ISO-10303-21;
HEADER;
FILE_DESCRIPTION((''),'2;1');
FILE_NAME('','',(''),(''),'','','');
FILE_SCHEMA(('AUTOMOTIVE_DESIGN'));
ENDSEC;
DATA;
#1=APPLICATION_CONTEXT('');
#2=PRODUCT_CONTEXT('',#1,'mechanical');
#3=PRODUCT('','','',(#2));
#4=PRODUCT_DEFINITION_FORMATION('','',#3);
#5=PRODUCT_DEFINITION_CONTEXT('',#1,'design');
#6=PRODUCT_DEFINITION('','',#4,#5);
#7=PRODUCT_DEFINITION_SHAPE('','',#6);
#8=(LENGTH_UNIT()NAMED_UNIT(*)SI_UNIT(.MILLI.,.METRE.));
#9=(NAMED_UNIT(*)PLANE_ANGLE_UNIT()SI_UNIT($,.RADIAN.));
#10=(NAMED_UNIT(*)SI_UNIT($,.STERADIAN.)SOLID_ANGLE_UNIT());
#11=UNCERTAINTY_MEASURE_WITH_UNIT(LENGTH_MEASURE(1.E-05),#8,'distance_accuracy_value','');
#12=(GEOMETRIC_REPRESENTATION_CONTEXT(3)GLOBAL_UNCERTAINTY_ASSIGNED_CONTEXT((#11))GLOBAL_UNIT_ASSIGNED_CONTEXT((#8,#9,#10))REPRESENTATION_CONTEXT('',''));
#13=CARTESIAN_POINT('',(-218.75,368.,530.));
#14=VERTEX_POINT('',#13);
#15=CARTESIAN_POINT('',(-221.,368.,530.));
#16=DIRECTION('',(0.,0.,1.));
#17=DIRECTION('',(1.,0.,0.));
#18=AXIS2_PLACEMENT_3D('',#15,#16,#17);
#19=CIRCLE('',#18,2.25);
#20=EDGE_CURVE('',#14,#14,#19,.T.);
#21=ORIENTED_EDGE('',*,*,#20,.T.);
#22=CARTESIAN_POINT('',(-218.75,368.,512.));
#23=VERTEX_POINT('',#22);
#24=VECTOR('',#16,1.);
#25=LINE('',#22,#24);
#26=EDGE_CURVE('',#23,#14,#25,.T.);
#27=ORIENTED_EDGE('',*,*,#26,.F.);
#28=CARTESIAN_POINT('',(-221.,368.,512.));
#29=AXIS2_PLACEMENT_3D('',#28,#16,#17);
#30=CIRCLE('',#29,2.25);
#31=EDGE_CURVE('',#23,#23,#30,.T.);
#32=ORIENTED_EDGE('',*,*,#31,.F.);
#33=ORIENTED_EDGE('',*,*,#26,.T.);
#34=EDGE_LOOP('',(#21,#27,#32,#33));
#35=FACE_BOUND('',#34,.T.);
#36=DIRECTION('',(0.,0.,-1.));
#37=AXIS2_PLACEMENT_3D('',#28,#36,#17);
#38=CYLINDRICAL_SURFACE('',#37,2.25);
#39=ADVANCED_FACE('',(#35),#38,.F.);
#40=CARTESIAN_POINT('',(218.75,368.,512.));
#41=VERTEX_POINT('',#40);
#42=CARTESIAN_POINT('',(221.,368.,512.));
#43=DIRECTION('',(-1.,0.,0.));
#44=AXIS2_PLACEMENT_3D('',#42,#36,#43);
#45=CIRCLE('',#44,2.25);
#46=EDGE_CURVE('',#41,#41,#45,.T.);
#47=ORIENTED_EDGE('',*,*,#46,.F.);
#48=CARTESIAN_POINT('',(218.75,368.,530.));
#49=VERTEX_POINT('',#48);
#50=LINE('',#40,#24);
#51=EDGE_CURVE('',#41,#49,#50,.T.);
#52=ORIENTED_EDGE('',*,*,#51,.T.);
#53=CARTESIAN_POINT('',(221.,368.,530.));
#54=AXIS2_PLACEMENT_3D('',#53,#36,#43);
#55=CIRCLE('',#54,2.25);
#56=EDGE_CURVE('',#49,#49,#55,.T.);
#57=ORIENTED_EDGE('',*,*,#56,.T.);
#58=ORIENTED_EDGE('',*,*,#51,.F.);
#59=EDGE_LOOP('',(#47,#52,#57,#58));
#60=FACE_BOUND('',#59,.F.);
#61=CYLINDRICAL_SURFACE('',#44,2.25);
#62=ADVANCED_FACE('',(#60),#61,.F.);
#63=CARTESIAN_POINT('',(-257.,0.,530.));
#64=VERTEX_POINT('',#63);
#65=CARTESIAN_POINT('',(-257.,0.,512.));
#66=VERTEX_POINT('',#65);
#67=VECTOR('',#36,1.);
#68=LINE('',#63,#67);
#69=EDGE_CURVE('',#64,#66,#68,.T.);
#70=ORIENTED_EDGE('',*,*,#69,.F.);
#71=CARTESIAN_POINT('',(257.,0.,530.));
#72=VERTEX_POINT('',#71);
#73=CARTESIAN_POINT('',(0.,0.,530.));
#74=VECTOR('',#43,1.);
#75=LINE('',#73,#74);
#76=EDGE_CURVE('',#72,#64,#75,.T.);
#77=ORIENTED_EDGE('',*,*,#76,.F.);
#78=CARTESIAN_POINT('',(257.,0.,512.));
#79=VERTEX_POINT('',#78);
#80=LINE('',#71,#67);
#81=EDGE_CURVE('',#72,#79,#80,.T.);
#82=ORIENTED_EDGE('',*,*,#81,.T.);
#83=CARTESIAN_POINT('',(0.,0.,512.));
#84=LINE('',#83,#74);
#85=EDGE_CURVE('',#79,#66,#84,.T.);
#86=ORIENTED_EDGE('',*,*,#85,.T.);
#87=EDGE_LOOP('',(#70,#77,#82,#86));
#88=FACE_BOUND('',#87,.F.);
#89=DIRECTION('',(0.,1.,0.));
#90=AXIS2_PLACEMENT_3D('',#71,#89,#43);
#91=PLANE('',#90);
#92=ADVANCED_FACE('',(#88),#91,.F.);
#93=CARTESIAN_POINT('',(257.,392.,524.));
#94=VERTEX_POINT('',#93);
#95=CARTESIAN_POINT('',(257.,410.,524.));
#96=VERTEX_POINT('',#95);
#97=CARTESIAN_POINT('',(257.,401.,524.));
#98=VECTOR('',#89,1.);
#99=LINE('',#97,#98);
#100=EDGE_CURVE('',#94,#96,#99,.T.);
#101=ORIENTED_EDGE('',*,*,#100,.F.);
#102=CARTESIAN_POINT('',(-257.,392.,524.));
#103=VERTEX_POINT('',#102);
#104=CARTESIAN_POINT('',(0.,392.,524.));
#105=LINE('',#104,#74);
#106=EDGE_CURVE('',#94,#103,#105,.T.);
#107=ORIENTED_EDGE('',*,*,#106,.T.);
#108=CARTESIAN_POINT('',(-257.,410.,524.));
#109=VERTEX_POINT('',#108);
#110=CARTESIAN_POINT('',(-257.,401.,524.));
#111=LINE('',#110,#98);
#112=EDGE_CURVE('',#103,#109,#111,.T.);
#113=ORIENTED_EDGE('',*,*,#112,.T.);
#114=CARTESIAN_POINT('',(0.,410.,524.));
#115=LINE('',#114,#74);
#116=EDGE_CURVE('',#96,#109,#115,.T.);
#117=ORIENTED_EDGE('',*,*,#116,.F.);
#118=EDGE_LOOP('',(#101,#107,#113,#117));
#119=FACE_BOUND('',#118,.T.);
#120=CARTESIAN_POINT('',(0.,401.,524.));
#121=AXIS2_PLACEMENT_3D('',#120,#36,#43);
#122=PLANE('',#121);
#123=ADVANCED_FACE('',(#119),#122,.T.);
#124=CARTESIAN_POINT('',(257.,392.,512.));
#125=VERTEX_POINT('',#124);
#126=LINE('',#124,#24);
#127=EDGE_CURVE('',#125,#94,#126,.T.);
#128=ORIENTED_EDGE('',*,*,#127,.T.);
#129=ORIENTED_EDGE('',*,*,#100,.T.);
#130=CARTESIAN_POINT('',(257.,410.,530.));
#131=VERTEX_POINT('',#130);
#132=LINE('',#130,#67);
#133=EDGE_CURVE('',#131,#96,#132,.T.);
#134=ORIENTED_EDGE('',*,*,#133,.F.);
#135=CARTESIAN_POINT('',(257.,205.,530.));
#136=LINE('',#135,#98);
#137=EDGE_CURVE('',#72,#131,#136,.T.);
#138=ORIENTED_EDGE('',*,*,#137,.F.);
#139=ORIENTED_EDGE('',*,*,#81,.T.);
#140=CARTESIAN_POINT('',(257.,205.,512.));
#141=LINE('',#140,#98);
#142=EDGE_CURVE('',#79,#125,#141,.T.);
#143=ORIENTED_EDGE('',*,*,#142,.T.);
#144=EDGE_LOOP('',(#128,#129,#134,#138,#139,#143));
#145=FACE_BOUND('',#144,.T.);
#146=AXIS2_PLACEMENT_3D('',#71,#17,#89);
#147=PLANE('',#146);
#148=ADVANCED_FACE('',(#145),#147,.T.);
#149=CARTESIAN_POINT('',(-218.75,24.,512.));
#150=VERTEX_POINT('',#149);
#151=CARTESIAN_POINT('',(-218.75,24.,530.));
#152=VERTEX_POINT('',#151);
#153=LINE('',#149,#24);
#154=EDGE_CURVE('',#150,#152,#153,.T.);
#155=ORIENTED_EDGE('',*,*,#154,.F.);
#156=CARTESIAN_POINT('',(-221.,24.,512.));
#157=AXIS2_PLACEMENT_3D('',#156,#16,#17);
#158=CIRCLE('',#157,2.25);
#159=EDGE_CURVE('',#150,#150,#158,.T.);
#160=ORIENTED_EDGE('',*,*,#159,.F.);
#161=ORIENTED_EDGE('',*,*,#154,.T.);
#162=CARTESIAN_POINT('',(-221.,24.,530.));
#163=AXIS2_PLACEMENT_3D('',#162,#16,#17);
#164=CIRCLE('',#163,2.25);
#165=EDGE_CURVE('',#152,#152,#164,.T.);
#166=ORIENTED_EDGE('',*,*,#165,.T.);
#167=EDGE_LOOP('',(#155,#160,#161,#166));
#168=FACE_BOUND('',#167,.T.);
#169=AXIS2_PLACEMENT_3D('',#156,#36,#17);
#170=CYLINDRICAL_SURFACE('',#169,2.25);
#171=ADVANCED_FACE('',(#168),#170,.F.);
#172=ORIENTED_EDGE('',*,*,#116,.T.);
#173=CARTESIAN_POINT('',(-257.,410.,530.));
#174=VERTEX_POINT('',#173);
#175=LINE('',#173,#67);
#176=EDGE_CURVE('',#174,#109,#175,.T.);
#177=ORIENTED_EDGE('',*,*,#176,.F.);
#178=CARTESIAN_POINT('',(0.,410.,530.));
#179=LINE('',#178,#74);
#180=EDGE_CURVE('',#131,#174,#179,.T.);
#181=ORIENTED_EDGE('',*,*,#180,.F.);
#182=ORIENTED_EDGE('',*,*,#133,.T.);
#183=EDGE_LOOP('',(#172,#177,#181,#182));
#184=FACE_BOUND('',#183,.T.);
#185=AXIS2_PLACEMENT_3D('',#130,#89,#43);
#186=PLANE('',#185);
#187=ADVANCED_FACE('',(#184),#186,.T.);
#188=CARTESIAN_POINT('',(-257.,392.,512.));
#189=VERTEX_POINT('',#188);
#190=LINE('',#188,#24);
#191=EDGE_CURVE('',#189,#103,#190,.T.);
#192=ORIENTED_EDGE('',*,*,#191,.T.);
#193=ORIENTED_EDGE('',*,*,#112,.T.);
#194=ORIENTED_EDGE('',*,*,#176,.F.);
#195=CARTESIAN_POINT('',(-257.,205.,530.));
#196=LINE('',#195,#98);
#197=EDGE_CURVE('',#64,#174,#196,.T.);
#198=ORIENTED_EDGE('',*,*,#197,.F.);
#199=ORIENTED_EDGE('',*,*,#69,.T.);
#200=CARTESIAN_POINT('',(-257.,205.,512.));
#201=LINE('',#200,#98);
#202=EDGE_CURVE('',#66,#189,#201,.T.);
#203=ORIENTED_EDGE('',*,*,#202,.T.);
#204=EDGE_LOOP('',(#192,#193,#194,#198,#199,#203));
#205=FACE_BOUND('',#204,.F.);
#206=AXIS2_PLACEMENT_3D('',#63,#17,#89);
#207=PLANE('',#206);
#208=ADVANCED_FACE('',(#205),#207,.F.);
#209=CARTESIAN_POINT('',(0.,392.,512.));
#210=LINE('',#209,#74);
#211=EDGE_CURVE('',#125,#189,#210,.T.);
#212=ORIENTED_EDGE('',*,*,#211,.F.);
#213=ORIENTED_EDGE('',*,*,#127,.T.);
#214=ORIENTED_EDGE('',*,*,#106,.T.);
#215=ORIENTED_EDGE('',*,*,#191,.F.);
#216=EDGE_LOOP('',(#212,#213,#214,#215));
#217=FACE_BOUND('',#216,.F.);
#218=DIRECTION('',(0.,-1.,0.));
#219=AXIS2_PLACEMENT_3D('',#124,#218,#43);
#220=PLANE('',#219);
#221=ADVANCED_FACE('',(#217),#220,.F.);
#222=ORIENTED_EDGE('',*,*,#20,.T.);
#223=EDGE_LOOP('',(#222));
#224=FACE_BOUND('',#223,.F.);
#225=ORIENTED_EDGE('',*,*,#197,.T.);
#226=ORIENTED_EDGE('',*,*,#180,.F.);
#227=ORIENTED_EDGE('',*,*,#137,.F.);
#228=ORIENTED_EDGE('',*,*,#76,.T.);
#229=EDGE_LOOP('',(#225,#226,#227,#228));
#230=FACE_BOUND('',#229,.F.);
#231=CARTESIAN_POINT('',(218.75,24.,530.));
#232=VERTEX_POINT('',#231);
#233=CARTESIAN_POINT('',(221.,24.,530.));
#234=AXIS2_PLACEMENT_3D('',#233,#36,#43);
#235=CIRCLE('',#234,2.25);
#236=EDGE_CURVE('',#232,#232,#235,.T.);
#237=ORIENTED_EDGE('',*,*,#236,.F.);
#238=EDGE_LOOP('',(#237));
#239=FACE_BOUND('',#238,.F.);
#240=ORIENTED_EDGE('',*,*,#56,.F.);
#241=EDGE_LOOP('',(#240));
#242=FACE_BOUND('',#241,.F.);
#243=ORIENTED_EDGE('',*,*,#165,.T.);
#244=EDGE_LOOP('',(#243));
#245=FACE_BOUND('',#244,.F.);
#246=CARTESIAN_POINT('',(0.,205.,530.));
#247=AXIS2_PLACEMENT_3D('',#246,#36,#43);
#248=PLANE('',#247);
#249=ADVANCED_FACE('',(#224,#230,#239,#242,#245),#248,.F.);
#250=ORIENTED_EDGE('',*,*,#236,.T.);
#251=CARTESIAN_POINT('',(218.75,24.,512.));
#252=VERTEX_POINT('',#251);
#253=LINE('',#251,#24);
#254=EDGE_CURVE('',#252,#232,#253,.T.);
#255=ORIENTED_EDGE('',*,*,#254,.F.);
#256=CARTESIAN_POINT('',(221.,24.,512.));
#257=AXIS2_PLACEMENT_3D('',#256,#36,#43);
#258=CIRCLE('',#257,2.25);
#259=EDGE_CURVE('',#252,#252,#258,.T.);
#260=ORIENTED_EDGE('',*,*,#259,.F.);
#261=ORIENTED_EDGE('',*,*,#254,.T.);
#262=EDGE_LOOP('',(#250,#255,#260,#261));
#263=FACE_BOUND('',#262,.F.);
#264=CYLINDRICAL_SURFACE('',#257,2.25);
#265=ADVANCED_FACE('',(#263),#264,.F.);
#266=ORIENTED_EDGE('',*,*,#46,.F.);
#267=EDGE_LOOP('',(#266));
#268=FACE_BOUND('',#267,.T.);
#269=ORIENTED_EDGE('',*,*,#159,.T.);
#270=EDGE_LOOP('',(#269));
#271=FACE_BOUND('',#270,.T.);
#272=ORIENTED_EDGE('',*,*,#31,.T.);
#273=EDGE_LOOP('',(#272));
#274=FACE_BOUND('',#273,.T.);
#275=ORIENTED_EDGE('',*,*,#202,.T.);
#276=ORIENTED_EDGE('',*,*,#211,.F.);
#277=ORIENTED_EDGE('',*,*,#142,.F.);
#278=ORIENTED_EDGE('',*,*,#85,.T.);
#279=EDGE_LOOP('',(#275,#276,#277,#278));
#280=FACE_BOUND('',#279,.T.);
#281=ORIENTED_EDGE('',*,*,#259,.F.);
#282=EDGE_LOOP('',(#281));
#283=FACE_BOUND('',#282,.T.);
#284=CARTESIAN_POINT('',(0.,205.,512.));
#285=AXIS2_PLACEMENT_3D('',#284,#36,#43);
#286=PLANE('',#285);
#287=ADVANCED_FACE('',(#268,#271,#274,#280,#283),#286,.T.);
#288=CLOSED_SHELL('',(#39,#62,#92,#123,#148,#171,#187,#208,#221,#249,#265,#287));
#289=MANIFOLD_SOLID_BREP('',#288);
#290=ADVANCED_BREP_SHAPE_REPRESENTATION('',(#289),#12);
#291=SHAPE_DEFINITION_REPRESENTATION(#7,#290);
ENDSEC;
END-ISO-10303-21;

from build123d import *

# Parameters (mm, degrees)
SKETCH051_W             = 514
SKETCH051_H             = 410
PAD019_DEPTH            = 18
SKETCH052_W             = 514
SKETCH052_H             = 18
POCKET032_DEPTH         = 12
SKETCH053_R             = 2.25
POCKET033_DEPTH         = 18
BODY018_PLACEMENT_ANGLE = 180


with BuildPart() as part:
    # Sketch051 → Pad019 (new body)
    with BuildSketch(Plane.XY):
        with Locations((0, 205)):
            Rectangle(SKETCH051_W, SKETCH051_H)
    extrude(amount=PAD019_DEPTH)

    # Sketch052 (on Face6 of Pad019) → Pocket032 (cut)
    with BuildSketch(Plane.XY.offset(18)):
        with Locations((0, 401)):
            Rectangle(SKETCH052_W, SKETCH052_H)
    extrude(amount=-POCKET032_DEPTH, mode=Mode.SUBTRACT)

    # Sketch053 (on Face7 of Pocket032) → Pocket033 (cut)
    with BuildSketch(Plane.XY.offset(18)):
        with Locations((-221, 24)):
            Circle(SKETCH053_R)
        with Locations((-221, 368)):
            Circle(SKETCH053_R)
    pocket033 = extrude(amount=-POCKET033_DEPTH, mode=Mode.SUBTRACT)

    # Mirrored012: Pocket033 across Sketch053 V_Axis
    add(pocket033.mirror(Plane(origin=(0, 0, 18), x_dir=(0, 0, 1), z_dir=(1, 0, 0))), mode=Mode.SUBTRACT)


with BuildPart() as part_1:
    # Body018 placement: moved
    add(part.part.moved(Location((0, 0, 530))).rotate(Axis((0, 0, 530), (0, 1, 0)), BODY018_PLACEMENT_ANGLE))


solid = part_1.part
